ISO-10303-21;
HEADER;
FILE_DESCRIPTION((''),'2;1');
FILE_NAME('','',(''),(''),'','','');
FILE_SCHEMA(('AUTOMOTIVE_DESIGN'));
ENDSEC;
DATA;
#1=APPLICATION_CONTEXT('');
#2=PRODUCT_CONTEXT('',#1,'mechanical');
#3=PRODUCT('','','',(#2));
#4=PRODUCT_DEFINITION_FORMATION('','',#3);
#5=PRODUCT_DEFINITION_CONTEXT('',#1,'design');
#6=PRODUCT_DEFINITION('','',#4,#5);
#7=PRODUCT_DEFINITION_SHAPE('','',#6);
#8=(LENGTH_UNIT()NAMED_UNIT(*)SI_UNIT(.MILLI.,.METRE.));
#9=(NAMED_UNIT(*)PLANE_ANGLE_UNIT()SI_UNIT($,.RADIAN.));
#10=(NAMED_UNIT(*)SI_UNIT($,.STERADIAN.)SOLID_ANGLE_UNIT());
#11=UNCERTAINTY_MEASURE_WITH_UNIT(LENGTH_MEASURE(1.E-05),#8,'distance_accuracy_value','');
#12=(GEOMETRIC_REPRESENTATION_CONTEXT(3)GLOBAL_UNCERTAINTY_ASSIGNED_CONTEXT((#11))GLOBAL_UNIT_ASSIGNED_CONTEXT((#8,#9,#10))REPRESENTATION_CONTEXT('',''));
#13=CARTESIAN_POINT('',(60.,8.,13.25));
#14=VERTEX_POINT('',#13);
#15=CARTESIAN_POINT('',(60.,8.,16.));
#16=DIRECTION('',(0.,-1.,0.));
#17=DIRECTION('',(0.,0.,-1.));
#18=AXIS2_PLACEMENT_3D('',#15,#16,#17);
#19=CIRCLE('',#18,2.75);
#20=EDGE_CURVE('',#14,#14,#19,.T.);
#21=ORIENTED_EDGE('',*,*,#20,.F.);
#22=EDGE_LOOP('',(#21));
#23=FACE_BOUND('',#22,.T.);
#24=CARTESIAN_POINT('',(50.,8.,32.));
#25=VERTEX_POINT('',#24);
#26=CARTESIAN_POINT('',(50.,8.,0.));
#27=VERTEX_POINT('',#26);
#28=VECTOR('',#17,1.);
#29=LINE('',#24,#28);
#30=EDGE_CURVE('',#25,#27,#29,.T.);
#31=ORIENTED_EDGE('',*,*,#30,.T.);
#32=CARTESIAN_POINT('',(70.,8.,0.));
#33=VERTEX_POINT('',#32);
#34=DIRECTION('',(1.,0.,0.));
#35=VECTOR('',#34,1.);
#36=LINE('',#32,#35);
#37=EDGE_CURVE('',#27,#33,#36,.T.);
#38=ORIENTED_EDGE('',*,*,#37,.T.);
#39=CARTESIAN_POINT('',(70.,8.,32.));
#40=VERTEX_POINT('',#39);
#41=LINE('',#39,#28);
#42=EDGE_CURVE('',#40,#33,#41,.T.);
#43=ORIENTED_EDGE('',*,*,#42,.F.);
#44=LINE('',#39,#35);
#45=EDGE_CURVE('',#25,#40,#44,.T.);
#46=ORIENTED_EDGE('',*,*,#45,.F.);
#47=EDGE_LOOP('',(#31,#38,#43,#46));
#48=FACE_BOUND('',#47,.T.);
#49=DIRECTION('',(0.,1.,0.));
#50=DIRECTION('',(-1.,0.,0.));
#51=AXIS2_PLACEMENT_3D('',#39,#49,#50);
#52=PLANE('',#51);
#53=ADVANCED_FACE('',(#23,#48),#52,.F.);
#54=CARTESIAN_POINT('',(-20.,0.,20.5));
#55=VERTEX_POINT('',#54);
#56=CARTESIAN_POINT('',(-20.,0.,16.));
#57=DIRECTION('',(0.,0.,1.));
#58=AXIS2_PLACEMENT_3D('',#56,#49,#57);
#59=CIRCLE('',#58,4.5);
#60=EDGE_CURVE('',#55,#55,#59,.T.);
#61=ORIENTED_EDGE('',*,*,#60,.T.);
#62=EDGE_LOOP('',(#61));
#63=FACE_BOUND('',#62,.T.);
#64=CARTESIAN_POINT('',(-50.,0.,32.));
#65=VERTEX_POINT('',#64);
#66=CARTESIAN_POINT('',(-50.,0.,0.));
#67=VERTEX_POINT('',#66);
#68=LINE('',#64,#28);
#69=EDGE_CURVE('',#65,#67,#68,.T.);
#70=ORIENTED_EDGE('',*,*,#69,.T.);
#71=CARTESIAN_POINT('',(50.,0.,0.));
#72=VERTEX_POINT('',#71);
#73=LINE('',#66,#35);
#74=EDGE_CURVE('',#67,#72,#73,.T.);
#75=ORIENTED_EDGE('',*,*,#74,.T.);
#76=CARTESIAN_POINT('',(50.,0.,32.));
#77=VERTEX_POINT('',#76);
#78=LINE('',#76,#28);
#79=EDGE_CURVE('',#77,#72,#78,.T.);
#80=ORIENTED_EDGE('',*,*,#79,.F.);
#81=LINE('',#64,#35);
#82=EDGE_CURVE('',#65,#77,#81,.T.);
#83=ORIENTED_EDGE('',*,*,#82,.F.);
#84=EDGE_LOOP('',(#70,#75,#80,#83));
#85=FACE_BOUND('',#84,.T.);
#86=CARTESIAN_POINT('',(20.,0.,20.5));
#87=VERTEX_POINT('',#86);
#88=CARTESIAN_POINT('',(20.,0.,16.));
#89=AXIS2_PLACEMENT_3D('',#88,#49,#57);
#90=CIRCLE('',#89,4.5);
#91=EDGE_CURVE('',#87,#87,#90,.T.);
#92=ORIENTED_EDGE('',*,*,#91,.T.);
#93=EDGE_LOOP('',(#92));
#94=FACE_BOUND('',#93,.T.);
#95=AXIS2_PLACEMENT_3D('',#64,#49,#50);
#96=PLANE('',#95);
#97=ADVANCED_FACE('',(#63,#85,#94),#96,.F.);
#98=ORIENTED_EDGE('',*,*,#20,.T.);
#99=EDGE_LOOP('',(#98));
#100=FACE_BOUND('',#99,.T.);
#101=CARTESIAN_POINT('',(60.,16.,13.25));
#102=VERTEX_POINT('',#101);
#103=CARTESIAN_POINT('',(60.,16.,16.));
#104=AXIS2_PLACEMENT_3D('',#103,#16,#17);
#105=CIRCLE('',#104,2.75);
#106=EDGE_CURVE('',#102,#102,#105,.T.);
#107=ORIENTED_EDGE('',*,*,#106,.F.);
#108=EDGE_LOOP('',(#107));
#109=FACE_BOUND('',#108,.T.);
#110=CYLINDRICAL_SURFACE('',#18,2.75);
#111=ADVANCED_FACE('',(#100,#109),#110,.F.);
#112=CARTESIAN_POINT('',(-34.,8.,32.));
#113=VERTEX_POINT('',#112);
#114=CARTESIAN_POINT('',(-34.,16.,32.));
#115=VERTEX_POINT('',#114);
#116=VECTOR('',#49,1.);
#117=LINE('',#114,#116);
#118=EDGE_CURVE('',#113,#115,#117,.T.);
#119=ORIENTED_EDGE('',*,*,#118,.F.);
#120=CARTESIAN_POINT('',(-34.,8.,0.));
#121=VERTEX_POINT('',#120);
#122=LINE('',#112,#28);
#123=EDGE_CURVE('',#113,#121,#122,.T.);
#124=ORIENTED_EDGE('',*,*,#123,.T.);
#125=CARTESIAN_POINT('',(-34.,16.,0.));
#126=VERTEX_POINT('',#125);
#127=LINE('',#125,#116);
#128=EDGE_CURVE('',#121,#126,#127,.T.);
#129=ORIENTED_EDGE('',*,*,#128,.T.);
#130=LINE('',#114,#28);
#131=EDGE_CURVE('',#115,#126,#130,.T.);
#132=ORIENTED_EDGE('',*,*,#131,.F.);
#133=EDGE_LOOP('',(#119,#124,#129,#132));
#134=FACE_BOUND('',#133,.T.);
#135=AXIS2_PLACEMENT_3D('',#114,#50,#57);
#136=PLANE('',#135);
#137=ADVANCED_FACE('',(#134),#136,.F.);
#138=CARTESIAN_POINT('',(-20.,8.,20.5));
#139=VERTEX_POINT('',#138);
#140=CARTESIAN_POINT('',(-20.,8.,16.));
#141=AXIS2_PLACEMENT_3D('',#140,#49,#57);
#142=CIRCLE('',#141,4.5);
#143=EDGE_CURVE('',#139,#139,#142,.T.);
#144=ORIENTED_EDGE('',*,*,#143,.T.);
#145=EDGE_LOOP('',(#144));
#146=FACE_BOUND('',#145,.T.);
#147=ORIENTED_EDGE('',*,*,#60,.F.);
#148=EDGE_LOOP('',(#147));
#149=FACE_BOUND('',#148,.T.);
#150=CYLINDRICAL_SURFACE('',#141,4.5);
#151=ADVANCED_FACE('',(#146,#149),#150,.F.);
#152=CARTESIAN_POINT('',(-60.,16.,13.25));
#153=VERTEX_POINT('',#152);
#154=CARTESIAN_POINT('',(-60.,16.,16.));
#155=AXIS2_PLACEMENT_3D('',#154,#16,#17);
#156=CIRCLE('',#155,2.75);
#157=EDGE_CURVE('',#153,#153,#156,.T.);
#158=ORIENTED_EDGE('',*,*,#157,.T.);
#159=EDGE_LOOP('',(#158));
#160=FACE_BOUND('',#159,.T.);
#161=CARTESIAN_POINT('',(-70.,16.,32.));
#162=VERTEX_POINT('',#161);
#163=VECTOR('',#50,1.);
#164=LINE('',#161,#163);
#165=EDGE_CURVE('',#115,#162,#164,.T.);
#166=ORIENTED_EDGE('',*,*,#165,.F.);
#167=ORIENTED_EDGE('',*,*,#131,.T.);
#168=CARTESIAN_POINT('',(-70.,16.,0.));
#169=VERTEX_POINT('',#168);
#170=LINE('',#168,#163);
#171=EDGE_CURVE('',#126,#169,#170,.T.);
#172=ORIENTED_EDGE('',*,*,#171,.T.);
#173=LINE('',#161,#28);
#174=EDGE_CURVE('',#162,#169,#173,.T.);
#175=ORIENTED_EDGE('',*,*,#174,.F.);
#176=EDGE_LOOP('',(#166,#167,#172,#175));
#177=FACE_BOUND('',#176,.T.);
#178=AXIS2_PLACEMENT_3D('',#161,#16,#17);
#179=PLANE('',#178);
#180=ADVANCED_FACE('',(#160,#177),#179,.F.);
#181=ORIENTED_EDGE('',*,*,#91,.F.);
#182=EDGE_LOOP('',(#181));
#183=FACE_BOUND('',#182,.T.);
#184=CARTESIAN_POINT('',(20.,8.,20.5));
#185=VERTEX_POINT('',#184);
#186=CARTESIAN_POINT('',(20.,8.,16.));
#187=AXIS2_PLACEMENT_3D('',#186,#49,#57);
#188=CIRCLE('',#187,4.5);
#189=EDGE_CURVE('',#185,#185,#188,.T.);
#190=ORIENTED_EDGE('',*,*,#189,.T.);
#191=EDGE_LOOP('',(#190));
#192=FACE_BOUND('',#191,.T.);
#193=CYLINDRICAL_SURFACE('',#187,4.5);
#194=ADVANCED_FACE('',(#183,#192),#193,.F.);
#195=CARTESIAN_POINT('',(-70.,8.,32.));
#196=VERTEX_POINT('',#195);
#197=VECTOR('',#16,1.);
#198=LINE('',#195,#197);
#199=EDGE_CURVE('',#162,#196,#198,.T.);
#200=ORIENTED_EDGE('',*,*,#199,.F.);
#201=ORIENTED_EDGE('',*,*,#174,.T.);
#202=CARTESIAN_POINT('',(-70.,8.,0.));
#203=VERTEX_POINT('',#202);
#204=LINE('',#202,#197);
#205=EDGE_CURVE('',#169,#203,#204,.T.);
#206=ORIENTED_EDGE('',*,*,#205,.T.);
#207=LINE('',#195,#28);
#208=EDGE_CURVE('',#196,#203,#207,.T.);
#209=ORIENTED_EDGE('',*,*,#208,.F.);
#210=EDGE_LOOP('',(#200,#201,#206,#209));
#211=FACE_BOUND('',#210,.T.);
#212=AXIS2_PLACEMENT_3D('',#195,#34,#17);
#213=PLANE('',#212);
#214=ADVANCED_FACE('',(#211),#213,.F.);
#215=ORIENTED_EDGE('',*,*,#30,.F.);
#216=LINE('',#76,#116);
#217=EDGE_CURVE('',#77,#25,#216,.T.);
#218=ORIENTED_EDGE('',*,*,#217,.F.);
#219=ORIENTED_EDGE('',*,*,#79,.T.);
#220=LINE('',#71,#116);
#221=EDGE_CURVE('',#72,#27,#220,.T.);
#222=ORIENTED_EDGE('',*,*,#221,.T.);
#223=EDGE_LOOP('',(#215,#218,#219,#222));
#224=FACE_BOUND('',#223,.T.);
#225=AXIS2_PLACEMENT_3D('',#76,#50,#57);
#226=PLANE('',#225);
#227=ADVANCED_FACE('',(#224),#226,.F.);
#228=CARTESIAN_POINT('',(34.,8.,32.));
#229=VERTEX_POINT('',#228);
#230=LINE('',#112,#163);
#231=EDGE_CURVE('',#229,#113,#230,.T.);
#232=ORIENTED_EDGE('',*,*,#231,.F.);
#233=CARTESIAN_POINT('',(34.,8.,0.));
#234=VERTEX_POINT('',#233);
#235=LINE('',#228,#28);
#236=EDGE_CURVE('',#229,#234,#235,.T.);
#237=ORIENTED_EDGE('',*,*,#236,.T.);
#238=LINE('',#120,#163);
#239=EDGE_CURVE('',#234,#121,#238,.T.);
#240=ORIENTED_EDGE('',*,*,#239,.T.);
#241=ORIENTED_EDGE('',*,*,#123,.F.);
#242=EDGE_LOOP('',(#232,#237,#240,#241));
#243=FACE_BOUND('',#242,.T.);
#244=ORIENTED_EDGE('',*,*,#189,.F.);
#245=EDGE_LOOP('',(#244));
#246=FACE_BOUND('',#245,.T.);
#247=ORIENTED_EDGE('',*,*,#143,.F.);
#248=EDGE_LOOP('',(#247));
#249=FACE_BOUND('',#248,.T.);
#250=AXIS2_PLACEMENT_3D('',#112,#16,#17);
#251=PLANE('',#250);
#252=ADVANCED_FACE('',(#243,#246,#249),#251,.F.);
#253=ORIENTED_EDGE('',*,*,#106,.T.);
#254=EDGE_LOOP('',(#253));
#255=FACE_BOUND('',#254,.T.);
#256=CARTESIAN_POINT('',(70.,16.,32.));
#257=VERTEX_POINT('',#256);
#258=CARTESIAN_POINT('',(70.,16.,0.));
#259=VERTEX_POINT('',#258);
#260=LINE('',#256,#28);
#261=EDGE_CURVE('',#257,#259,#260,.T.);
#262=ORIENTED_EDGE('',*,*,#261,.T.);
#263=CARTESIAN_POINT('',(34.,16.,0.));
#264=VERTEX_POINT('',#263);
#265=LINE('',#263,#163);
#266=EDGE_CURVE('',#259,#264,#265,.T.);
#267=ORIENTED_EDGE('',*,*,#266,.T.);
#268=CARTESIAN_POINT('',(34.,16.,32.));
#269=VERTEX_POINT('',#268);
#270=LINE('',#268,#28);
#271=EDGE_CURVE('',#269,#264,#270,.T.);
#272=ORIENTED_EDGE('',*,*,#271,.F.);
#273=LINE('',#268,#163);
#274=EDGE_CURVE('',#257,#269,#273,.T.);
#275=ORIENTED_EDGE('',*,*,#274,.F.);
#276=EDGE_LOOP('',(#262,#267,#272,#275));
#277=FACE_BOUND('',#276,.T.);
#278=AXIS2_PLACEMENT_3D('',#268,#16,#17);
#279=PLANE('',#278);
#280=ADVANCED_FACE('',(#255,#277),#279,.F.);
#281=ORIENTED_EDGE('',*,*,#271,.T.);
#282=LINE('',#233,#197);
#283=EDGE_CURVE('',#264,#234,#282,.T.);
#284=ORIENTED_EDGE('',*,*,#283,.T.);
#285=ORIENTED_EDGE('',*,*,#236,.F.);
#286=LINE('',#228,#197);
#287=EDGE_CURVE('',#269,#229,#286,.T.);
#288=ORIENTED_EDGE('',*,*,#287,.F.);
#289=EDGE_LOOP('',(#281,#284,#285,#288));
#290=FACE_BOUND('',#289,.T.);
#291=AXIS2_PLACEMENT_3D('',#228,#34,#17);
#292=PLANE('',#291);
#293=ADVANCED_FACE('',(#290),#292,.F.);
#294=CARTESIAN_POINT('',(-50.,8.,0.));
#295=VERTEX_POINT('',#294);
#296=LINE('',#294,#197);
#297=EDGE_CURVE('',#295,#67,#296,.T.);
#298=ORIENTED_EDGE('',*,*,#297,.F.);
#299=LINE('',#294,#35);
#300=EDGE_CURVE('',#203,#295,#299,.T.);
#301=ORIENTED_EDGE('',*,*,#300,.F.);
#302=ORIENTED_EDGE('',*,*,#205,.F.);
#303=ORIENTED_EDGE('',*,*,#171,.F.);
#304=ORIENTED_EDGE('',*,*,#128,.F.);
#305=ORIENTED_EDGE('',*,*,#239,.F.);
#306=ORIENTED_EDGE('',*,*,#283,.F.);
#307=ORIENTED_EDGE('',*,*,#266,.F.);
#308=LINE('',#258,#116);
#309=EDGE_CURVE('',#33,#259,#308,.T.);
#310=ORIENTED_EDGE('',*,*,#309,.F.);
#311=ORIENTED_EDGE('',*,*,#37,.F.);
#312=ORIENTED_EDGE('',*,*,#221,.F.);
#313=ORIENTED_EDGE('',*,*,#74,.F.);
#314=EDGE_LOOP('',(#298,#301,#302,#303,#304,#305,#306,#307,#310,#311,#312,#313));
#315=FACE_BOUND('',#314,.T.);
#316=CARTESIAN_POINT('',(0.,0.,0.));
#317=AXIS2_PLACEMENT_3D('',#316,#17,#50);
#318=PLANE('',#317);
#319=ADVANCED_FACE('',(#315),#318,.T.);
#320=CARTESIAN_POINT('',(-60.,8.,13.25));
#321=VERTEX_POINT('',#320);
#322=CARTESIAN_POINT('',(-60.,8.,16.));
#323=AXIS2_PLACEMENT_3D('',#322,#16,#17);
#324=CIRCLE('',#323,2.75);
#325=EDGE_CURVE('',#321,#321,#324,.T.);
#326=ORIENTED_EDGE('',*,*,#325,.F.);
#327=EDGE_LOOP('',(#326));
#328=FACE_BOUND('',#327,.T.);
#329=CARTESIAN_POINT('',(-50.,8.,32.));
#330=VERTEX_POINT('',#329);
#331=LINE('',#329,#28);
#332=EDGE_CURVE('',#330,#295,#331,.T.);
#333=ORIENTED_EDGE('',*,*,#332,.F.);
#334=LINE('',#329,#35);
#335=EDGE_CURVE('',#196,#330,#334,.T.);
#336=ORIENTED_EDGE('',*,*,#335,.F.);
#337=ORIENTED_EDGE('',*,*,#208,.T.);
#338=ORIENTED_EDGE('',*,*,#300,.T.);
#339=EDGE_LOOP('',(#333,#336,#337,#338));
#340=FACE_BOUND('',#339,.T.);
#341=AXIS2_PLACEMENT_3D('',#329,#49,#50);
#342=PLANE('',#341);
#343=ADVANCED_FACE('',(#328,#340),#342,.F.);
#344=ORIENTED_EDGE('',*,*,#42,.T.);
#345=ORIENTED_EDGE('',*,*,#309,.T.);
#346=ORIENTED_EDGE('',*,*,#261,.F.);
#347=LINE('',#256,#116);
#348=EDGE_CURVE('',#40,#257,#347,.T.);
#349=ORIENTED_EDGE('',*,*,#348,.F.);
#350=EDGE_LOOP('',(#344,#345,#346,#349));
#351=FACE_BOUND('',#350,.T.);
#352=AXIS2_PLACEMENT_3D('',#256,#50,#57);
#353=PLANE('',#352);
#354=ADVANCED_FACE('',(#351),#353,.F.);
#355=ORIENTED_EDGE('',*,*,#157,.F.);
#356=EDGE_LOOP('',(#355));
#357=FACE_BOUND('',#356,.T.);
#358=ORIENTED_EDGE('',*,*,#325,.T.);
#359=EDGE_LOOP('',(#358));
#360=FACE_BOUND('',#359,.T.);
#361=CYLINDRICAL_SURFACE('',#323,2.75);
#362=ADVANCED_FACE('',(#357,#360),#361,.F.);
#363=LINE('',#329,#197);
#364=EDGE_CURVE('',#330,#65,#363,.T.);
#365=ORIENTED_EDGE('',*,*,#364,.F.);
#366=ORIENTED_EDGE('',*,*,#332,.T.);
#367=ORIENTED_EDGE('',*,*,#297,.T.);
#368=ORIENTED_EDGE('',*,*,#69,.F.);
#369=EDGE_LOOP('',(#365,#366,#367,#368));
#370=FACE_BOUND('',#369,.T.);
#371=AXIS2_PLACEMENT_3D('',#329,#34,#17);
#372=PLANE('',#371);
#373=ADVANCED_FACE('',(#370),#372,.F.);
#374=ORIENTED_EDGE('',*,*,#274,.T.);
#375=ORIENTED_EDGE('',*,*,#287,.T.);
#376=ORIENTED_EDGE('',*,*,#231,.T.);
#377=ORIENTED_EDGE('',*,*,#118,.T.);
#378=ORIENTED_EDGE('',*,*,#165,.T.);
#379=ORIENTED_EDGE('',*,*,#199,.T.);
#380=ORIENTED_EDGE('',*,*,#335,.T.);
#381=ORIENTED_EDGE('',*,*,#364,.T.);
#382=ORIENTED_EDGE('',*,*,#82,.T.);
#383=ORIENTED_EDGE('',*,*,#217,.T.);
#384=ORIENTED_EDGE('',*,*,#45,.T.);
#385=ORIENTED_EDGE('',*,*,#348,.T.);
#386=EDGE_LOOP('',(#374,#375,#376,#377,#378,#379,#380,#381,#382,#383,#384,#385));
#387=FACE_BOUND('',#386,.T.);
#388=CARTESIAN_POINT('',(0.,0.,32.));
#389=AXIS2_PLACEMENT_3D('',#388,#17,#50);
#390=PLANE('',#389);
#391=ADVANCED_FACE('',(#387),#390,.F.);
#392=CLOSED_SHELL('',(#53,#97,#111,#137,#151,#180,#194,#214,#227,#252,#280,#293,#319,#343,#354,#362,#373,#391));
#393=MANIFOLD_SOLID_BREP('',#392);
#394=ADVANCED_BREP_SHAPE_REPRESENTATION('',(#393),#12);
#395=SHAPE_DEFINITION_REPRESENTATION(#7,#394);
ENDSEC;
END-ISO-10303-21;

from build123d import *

# Parameters (mm, degrees)
AUFSATZ_LINEAR_AUSTRAGEN1_DEPTH  = 32
F_9_0_9_DURCHMESSER_BOHRUNG1_D   = 9
F_5_5_5_5_DURCHMESSER_BOHRUNG1_D = 5.5


with BuildPart() as part:
    # Skizze1 → Aufsatz-Linear austragen1 (new body)
    with BuildSketch(Plane.XY):
        Polygon((-70, 16), (-34, 16), (-34, 8), (34, 8), (34, 16), (70, 16), (70, 8), (50, 8), (50, 0), (-50, 0), (-50, 8), (-70, 8), align=None)
    extrude(amount=AUFSATZ_LINEAR_AUSTRAGEN1_DEPTH)

    # Ø9.0 (9) Durchmesser Bohrung1 (through all)
    with Locations(Plane(origin=(20, 8, 16), x_dir=(0, 0, 1), z_dir=(0, 1, 0))):
        with Locations((0, 0), (0, -40)):
            Hole(F_9_0_9_DURCHMESSER_BOHRUNG1_D / 2)

    # Ø5.5 (5.5) Durchmesser Bohrung1 (through all)
    with Locations(Plane(origin=(-60, 8, 16), x_dir=(-1, 0, 0), z_dir=(0, -1, 0))):
        with Locations((0, 0), (-120, 0)):
            Hole(F_5_5_5_5_DURCHMESSER_BOHRUNG1_D / 2)


solid = part.part
